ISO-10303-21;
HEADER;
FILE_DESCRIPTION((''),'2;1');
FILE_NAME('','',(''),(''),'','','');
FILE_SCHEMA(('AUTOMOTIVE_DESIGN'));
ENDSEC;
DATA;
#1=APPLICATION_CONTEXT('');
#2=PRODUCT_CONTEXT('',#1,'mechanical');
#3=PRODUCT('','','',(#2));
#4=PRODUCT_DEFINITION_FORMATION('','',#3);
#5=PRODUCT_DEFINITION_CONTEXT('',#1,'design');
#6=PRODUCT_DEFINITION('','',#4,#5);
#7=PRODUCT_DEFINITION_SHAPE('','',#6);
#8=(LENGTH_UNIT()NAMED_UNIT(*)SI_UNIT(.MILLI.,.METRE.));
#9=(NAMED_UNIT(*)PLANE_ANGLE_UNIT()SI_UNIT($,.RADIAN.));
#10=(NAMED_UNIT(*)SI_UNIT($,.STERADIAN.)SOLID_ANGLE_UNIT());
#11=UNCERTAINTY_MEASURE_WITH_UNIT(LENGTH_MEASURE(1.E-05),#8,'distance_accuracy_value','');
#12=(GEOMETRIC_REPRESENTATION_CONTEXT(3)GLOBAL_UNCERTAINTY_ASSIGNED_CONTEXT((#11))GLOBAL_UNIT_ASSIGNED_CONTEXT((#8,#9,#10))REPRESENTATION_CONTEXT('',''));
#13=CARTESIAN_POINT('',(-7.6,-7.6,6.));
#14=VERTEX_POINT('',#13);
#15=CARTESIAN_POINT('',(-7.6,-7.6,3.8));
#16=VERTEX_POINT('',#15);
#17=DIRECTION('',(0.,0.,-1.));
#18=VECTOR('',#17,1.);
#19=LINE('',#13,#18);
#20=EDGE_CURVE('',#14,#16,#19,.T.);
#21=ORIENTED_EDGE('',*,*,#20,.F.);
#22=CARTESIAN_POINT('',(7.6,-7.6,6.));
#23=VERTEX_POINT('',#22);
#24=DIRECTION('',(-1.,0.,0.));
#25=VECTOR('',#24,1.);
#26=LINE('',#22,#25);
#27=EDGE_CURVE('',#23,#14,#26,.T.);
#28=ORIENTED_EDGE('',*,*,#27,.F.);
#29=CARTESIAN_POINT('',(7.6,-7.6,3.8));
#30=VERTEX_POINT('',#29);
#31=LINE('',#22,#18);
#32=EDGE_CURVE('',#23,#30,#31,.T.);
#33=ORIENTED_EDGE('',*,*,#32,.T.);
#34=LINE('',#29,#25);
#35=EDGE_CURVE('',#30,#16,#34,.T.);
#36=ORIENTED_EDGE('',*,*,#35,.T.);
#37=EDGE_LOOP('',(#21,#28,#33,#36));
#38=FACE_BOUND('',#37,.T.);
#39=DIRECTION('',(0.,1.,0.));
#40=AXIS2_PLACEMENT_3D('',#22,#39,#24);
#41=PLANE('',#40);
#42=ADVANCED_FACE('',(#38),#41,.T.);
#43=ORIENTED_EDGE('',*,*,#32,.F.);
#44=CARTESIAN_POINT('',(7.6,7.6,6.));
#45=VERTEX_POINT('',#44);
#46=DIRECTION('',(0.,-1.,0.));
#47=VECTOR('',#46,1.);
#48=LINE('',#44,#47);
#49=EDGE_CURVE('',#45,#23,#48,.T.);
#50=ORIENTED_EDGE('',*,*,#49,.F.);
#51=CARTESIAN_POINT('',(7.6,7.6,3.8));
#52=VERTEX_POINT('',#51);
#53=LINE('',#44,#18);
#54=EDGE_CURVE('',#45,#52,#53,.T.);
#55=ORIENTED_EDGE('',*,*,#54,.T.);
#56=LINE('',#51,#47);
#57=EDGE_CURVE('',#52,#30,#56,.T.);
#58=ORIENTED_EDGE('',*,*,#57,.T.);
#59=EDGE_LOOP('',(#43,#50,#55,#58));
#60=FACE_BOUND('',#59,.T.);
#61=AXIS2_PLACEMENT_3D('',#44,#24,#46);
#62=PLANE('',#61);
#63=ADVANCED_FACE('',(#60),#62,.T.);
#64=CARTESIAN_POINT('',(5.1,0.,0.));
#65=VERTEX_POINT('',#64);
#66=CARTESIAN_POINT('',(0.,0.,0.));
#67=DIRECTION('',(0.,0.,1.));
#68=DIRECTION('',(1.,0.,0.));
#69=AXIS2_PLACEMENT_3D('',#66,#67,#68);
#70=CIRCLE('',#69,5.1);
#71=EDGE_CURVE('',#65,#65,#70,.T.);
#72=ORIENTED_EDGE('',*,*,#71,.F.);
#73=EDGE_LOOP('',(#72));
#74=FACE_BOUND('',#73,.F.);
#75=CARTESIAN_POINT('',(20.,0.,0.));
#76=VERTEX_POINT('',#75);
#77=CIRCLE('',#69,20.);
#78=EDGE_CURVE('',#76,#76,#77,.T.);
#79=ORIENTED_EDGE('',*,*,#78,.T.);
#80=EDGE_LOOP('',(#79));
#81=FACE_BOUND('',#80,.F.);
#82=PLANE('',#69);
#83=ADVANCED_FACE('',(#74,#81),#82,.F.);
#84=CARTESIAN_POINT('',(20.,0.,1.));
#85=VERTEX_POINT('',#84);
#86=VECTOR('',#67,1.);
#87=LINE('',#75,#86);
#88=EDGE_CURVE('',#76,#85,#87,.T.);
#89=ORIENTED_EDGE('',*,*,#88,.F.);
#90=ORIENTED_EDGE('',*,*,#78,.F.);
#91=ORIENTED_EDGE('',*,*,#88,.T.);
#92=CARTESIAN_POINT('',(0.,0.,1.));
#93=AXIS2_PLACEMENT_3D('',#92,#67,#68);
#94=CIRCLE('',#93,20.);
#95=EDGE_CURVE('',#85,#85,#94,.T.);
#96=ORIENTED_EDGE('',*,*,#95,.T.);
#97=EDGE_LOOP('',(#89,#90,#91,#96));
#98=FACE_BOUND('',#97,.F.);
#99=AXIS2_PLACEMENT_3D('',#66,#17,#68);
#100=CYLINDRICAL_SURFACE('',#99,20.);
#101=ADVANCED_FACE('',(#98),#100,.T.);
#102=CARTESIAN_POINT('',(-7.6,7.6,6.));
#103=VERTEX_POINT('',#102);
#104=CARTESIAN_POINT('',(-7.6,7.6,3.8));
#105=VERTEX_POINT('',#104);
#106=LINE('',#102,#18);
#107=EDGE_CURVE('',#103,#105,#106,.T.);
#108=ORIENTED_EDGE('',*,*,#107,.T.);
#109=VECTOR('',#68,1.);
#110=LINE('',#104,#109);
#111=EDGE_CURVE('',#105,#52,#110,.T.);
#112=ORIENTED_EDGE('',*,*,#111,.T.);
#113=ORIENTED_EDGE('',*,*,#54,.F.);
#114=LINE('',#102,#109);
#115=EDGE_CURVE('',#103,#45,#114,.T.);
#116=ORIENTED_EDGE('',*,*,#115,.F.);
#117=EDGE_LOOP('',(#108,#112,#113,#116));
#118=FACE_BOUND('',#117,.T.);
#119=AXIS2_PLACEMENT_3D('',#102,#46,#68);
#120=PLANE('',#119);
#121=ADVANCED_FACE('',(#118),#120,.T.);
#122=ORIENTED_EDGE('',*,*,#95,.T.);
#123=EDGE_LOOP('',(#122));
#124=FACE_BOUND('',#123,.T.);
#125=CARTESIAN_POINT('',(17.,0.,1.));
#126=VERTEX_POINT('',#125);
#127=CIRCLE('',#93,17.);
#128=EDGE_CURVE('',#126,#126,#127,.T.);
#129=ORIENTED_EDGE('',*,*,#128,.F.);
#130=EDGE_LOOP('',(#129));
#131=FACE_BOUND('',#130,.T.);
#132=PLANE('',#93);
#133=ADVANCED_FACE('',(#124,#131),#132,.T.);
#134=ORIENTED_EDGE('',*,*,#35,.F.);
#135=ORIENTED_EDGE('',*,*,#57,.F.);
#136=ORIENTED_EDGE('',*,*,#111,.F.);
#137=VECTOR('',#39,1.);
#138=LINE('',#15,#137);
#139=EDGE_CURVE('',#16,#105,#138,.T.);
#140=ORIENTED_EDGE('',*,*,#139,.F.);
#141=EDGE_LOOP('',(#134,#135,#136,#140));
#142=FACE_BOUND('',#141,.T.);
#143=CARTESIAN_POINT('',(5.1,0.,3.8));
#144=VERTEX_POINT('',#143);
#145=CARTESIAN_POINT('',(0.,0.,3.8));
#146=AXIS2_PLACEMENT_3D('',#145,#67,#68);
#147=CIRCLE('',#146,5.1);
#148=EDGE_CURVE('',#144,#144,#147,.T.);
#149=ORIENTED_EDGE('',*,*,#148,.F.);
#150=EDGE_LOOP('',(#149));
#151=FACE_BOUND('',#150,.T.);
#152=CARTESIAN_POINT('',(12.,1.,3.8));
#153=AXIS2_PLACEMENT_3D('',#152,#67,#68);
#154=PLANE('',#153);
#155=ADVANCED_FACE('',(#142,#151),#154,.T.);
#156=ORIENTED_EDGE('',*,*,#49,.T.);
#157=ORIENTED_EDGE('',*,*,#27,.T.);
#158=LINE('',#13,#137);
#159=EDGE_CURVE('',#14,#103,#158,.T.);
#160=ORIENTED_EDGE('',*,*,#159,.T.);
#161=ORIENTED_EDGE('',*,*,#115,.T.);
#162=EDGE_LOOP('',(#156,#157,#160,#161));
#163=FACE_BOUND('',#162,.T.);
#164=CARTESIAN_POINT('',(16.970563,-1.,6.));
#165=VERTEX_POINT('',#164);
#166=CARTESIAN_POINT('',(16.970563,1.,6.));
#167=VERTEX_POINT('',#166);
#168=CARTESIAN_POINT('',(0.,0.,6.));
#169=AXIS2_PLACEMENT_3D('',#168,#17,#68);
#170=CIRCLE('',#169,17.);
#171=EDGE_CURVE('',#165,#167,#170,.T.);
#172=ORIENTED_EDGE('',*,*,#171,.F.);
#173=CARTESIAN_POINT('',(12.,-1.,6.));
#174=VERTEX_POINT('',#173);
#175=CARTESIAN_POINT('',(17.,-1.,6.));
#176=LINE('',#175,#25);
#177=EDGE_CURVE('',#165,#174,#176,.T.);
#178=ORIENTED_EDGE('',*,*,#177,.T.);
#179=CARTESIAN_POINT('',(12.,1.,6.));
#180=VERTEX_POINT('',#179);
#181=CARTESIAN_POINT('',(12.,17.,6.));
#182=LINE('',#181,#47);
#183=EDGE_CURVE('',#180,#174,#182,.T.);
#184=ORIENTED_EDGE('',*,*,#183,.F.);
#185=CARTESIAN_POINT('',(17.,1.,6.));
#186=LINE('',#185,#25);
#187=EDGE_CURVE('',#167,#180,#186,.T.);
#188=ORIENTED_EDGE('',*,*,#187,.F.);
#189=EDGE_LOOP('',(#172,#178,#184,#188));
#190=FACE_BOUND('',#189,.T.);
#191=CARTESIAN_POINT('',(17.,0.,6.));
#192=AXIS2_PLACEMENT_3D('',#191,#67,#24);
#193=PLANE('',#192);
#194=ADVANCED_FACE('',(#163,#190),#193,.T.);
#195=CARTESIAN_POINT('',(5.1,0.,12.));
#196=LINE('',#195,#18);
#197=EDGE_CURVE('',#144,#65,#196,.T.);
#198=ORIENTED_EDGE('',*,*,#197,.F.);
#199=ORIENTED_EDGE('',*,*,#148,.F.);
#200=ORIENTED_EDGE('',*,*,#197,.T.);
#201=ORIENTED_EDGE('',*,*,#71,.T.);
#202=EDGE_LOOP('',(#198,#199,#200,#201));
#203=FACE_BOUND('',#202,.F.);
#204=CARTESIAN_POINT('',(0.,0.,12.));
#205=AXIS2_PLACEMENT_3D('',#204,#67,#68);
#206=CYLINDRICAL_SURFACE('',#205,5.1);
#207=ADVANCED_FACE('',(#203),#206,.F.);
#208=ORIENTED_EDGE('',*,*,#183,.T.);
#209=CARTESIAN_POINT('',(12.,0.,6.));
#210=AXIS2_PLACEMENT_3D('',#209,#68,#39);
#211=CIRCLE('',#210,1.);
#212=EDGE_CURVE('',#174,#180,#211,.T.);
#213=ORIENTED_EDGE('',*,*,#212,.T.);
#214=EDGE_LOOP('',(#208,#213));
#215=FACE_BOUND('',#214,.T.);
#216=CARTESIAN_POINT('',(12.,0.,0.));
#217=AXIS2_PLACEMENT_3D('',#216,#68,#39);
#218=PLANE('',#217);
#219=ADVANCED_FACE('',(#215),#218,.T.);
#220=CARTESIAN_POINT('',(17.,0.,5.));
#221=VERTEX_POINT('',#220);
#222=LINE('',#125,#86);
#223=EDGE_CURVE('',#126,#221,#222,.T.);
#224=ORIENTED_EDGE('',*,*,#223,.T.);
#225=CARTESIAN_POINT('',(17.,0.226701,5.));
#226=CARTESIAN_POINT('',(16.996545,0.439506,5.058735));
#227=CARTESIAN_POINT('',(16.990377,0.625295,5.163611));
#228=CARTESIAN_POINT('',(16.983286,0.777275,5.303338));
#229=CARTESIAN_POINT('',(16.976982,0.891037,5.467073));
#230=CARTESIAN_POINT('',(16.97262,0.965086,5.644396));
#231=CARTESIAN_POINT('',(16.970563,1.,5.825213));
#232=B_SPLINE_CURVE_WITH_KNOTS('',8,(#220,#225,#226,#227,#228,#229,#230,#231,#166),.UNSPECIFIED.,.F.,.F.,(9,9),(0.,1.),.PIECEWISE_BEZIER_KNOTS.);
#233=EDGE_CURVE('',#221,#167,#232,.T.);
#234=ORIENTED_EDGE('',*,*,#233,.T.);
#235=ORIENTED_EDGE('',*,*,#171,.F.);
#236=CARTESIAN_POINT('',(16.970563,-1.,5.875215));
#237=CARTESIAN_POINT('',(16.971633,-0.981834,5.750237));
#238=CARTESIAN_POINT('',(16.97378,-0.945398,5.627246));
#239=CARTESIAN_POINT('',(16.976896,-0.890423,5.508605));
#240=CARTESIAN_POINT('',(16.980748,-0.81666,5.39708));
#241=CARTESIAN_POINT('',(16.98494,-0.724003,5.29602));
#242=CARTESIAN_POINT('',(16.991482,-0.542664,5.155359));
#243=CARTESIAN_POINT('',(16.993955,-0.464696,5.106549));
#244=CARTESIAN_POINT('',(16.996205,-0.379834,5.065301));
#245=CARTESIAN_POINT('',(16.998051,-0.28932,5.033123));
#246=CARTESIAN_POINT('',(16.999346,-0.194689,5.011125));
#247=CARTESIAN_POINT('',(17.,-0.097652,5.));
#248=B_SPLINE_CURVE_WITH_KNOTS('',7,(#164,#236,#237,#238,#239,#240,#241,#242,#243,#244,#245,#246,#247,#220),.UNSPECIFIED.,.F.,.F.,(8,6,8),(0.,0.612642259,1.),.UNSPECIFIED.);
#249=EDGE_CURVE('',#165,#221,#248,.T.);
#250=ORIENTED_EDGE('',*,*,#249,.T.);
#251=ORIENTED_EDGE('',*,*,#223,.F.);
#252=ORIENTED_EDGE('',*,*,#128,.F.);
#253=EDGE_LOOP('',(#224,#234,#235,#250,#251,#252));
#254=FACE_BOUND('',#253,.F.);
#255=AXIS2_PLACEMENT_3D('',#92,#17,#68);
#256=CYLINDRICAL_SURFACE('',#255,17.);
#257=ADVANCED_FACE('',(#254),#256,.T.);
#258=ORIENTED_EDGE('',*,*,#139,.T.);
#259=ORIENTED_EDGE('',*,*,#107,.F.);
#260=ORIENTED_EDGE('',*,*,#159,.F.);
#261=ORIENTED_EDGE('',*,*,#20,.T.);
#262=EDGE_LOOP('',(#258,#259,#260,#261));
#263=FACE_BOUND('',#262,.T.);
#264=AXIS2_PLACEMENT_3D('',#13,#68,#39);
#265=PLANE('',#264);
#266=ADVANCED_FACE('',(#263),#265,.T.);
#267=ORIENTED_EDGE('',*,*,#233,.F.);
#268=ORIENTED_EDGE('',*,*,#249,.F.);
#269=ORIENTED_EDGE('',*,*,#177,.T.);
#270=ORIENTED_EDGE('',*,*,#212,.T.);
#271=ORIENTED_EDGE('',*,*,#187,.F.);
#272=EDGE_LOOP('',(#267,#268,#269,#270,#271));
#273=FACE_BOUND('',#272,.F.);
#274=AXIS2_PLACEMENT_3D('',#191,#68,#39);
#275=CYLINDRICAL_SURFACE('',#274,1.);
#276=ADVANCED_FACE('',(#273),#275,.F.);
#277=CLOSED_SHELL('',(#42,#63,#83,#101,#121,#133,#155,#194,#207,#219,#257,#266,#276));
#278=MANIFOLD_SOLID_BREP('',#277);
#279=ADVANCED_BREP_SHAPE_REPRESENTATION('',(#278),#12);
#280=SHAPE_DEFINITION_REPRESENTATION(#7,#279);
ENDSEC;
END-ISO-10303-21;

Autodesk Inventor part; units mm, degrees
ref_plane "XZ Plane" through (0, 0, 0) normal (0, 1, 0) x (-1, 0, 0)
ref_plane "XY Plane" through (0, 0, 0) normal (0, 0, 1) x (1, 0, 0)
sketch "Skizze1" plane through (0, 0, 0) normal (0, 0, 1) x (1, 0, 0)
  circle A0 centre (0, 0) radius 20
  dimension "d0" = 40
extrude "Extrusion1" add sketch "Skizze1" along normal blind 1
sketch "Skizze2" plane through (0, 0, 1) normal (0, 0, 1) x (1, 0, 0)
  circle A0 centre (0, 0) radius 20 projected
  circle A1 centre (0, 0) radius 17
  dimension "d3" = 34
extrude "Extrusion2" add sketch "Skizze2" along normal blind 10 contours A1
sketch "Skizze3" plane through (0, 0, 11) normal (0, 0, 1) x (1, 0, 0)
  circle A0 centre (0, 0) radius 17 projected
  circle A1 centre (0, 0) radius 20
  dimension "d6" = 40
extrude "Extrusion3" add sketch "Skizze3" along normal blind 1 contours A0 | A1
sketch "Skizze6" plane through (0, 0, 12) normal (0, 0, 1) x (1, 0, 0)
  circle A0 centre (0, 0) radius 20 projected
  circle A1 centre (0, 0) radius 5.1
  dimension "d16" = 10.2
extrude "Extrusion6" cut sketch "Skizze6" against normal through all contours A1
sketch "Skizze7" plane through (0, 0, 0) normal (0, 1, 0) x (-1, 0, 0)
  line L0 (17, 1) -> (17, 11) projected
  line L1 (-17, 1) -> (-17, 11) projected
  line L2 (20, 0) -> (-20, 0) projected
  line L3 (20, 0) -> (20, 1) projected
  line L4 (20, 1) -> (-20, 1) projected
  line L5 (-17, 1) -> (-17, 11) projected
  line L6 (20, 0) -> (-20, 0)
  line L7 (-20, 0) -> (-20, 6)
  line L8 (-20, 6) -> (20, 6)
  line L9 (20, 6) -> (20, 0)
  line L10 (20, 12) -> (-20, 12) projected
  point P0 (0, 0)
  dimension "d19" = 6
  dimension "d20" = 12
extrude "Extrusion7" cut sketch "Skizze7" along normal through all both and the other way through all keep common part
ref_plane "Arbeitsebene2" through (17, 0, 0) normal (1, 0, 0) x (0, 1, 0)
sketch "Skizze9" plane through (17, 0, 0) normal (1, 0, 0) x (0, 1, 0)
  line L0 (17, 6) -> (-17, 6) projected
  circle A0 centre (0, 6) radius 1
  point P0 (0, 0)
  point P1 (-1, 6)
  point P2 (1, 6)
  dimension "d24" = 2
extrude "Extrusion8" cut sketch "Skizze9" against normal blind 5 contours A0 L0 picked at (0.0402, 5.6691)
sketch "Skizze10" plane through (12, 1, 6) normal (0, 0, 1) x (1, 0, 0)
  circle A0 centre (-12, -1) radius 5.1 projected
  line L0 (-19.6, 6.6) -> (-4.4, 6.6)
  line L1 (-4.4, 6.6) -> (-4.4, -8.6)
  line L2 (-4.4, -8.6) -> (-19.6, -8.6)
  line L3 (-19.6, -8.6) -> (-19.6, 6.6)
  line L4 (-19.6, 6.6) -> (-4.4, -8.6) construction
  line L5 (-4.4, 6.6) -> (-19.6, -8.6) construction
  dimension "d27" = 15.2
  dimension "d28" = 15.2
extrude "Extrusion9" cut sketch "Skizze10" against normal blind 2.2
equation "\"d19\" = 0.5 * d20"
equation "\"d28\" = d27"
properties part number "Motorstange_version2b"
